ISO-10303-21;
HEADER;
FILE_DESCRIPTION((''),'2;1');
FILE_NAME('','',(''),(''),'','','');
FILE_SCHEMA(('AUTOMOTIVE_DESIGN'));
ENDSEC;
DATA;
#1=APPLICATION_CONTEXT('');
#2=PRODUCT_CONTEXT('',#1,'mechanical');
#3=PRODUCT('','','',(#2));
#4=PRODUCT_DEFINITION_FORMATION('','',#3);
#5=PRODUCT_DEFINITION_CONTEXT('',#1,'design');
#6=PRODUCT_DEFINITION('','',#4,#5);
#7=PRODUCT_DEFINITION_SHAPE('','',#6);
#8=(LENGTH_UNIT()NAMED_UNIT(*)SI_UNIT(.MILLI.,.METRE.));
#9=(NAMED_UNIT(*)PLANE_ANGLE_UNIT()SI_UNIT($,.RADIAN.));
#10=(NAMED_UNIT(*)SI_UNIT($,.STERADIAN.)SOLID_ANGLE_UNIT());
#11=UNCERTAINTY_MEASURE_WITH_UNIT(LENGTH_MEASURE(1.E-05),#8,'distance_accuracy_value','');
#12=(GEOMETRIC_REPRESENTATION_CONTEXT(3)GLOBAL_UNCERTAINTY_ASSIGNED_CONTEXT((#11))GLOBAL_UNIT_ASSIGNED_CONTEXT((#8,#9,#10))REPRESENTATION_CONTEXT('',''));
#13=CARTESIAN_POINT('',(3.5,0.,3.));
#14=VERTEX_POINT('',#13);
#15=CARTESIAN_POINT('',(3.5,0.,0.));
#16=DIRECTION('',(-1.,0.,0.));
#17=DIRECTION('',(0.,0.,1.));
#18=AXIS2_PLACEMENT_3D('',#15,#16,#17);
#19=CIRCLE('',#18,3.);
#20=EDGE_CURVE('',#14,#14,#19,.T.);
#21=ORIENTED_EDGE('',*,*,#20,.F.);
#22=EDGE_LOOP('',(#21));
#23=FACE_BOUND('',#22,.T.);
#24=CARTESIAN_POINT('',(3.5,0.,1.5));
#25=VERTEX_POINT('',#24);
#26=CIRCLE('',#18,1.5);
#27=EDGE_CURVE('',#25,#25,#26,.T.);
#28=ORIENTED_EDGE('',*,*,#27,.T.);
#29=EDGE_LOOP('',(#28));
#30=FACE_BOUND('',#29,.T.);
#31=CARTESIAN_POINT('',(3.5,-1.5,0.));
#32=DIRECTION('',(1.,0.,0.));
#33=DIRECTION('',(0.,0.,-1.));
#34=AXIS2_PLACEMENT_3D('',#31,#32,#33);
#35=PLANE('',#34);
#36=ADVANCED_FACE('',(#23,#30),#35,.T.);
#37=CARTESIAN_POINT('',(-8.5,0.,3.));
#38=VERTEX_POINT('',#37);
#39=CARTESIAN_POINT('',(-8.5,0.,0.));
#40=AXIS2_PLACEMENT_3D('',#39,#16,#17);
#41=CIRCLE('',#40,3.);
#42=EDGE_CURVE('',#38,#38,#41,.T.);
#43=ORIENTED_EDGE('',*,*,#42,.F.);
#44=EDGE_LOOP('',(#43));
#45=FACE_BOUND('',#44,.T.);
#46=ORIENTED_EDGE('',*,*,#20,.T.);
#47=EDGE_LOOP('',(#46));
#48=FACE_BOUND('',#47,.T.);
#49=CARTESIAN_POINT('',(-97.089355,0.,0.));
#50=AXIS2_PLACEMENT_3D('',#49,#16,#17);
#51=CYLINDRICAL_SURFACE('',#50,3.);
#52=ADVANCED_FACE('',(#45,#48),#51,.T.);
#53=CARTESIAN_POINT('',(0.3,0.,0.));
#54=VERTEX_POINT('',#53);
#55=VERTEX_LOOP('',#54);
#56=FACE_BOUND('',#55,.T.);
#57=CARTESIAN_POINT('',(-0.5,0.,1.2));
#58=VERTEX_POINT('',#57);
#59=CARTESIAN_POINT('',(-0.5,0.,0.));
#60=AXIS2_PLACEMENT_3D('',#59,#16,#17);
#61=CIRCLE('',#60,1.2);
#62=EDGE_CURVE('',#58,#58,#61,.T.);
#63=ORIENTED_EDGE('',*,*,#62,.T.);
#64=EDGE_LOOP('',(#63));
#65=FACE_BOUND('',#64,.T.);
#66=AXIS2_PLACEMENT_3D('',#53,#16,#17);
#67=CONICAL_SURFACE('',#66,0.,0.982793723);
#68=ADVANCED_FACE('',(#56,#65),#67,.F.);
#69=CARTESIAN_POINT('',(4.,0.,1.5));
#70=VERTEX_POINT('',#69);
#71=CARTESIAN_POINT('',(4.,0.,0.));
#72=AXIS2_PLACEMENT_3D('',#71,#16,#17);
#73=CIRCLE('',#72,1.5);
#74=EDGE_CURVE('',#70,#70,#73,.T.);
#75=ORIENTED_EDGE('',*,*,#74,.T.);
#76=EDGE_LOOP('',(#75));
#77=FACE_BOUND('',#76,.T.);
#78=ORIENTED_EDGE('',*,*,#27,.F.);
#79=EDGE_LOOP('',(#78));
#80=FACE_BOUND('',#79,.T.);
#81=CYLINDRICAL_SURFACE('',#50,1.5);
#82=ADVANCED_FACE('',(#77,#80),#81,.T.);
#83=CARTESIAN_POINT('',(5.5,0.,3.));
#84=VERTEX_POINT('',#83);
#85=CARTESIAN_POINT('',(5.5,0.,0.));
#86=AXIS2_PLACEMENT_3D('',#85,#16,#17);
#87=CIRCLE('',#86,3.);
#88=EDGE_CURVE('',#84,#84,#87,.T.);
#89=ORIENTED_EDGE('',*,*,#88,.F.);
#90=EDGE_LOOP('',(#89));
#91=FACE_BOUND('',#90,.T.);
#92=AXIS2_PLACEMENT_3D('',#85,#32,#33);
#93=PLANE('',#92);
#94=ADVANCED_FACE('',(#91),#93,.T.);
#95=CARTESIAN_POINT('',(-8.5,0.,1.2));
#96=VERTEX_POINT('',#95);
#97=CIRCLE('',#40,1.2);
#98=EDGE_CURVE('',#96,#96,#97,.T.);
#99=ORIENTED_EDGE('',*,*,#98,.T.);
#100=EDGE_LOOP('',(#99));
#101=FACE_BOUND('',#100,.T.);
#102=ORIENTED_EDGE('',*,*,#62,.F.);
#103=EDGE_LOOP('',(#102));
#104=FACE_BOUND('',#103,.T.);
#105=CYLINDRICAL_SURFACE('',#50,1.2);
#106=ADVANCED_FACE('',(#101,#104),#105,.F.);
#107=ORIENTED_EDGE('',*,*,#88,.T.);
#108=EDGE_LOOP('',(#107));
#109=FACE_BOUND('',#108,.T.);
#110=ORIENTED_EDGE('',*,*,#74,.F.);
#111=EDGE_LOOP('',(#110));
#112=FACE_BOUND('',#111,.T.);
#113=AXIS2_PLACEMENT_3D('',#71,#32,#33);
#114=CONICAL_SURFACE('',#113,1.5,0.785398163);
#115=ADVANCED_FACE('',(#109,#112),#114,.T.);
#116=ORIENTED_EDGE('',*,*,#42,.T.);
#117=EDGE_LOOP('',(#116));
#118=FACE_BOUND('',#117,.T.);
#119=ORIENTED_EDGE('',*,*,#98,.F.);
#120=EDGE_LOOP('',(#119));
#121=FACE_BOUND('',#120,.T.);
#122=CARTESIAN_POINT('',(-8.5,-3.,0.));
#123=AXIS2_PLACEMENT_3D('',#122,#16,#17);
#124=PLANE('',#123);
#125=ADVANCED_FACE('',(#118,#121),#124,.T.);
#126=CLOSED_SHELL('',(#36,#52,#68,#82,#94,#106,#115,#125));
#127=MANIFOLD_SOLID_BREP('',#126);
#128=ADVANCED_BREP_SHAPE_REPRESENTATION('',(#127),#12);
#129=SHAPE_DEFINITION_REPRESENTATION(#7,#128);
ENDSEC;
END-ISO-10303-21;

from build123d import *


with BuildPart() as part:
    # Эскиз1 → Revolve 409 (revolve)
    with BuildSketch(Plane.XY, mode=Mode.PRIVATE) as revolve_409_sk:
        Polygon((5.5, 0), (5.5, -3), (4, -1.5), (3.5, -1.5), (3.5, -3), (-8.5, -3), (-8.5, -1.2), (-0.5, -1.2), (0.3, 0), align=None)
    revolve(revolve_409_sk.sketch.rotate(Axis((-97.089355169, 0, 0), (1, 0, 0)), 270), axis=Axis((-97.089355169, 0, 0), (1, 0, 0)))


solid = part.part
